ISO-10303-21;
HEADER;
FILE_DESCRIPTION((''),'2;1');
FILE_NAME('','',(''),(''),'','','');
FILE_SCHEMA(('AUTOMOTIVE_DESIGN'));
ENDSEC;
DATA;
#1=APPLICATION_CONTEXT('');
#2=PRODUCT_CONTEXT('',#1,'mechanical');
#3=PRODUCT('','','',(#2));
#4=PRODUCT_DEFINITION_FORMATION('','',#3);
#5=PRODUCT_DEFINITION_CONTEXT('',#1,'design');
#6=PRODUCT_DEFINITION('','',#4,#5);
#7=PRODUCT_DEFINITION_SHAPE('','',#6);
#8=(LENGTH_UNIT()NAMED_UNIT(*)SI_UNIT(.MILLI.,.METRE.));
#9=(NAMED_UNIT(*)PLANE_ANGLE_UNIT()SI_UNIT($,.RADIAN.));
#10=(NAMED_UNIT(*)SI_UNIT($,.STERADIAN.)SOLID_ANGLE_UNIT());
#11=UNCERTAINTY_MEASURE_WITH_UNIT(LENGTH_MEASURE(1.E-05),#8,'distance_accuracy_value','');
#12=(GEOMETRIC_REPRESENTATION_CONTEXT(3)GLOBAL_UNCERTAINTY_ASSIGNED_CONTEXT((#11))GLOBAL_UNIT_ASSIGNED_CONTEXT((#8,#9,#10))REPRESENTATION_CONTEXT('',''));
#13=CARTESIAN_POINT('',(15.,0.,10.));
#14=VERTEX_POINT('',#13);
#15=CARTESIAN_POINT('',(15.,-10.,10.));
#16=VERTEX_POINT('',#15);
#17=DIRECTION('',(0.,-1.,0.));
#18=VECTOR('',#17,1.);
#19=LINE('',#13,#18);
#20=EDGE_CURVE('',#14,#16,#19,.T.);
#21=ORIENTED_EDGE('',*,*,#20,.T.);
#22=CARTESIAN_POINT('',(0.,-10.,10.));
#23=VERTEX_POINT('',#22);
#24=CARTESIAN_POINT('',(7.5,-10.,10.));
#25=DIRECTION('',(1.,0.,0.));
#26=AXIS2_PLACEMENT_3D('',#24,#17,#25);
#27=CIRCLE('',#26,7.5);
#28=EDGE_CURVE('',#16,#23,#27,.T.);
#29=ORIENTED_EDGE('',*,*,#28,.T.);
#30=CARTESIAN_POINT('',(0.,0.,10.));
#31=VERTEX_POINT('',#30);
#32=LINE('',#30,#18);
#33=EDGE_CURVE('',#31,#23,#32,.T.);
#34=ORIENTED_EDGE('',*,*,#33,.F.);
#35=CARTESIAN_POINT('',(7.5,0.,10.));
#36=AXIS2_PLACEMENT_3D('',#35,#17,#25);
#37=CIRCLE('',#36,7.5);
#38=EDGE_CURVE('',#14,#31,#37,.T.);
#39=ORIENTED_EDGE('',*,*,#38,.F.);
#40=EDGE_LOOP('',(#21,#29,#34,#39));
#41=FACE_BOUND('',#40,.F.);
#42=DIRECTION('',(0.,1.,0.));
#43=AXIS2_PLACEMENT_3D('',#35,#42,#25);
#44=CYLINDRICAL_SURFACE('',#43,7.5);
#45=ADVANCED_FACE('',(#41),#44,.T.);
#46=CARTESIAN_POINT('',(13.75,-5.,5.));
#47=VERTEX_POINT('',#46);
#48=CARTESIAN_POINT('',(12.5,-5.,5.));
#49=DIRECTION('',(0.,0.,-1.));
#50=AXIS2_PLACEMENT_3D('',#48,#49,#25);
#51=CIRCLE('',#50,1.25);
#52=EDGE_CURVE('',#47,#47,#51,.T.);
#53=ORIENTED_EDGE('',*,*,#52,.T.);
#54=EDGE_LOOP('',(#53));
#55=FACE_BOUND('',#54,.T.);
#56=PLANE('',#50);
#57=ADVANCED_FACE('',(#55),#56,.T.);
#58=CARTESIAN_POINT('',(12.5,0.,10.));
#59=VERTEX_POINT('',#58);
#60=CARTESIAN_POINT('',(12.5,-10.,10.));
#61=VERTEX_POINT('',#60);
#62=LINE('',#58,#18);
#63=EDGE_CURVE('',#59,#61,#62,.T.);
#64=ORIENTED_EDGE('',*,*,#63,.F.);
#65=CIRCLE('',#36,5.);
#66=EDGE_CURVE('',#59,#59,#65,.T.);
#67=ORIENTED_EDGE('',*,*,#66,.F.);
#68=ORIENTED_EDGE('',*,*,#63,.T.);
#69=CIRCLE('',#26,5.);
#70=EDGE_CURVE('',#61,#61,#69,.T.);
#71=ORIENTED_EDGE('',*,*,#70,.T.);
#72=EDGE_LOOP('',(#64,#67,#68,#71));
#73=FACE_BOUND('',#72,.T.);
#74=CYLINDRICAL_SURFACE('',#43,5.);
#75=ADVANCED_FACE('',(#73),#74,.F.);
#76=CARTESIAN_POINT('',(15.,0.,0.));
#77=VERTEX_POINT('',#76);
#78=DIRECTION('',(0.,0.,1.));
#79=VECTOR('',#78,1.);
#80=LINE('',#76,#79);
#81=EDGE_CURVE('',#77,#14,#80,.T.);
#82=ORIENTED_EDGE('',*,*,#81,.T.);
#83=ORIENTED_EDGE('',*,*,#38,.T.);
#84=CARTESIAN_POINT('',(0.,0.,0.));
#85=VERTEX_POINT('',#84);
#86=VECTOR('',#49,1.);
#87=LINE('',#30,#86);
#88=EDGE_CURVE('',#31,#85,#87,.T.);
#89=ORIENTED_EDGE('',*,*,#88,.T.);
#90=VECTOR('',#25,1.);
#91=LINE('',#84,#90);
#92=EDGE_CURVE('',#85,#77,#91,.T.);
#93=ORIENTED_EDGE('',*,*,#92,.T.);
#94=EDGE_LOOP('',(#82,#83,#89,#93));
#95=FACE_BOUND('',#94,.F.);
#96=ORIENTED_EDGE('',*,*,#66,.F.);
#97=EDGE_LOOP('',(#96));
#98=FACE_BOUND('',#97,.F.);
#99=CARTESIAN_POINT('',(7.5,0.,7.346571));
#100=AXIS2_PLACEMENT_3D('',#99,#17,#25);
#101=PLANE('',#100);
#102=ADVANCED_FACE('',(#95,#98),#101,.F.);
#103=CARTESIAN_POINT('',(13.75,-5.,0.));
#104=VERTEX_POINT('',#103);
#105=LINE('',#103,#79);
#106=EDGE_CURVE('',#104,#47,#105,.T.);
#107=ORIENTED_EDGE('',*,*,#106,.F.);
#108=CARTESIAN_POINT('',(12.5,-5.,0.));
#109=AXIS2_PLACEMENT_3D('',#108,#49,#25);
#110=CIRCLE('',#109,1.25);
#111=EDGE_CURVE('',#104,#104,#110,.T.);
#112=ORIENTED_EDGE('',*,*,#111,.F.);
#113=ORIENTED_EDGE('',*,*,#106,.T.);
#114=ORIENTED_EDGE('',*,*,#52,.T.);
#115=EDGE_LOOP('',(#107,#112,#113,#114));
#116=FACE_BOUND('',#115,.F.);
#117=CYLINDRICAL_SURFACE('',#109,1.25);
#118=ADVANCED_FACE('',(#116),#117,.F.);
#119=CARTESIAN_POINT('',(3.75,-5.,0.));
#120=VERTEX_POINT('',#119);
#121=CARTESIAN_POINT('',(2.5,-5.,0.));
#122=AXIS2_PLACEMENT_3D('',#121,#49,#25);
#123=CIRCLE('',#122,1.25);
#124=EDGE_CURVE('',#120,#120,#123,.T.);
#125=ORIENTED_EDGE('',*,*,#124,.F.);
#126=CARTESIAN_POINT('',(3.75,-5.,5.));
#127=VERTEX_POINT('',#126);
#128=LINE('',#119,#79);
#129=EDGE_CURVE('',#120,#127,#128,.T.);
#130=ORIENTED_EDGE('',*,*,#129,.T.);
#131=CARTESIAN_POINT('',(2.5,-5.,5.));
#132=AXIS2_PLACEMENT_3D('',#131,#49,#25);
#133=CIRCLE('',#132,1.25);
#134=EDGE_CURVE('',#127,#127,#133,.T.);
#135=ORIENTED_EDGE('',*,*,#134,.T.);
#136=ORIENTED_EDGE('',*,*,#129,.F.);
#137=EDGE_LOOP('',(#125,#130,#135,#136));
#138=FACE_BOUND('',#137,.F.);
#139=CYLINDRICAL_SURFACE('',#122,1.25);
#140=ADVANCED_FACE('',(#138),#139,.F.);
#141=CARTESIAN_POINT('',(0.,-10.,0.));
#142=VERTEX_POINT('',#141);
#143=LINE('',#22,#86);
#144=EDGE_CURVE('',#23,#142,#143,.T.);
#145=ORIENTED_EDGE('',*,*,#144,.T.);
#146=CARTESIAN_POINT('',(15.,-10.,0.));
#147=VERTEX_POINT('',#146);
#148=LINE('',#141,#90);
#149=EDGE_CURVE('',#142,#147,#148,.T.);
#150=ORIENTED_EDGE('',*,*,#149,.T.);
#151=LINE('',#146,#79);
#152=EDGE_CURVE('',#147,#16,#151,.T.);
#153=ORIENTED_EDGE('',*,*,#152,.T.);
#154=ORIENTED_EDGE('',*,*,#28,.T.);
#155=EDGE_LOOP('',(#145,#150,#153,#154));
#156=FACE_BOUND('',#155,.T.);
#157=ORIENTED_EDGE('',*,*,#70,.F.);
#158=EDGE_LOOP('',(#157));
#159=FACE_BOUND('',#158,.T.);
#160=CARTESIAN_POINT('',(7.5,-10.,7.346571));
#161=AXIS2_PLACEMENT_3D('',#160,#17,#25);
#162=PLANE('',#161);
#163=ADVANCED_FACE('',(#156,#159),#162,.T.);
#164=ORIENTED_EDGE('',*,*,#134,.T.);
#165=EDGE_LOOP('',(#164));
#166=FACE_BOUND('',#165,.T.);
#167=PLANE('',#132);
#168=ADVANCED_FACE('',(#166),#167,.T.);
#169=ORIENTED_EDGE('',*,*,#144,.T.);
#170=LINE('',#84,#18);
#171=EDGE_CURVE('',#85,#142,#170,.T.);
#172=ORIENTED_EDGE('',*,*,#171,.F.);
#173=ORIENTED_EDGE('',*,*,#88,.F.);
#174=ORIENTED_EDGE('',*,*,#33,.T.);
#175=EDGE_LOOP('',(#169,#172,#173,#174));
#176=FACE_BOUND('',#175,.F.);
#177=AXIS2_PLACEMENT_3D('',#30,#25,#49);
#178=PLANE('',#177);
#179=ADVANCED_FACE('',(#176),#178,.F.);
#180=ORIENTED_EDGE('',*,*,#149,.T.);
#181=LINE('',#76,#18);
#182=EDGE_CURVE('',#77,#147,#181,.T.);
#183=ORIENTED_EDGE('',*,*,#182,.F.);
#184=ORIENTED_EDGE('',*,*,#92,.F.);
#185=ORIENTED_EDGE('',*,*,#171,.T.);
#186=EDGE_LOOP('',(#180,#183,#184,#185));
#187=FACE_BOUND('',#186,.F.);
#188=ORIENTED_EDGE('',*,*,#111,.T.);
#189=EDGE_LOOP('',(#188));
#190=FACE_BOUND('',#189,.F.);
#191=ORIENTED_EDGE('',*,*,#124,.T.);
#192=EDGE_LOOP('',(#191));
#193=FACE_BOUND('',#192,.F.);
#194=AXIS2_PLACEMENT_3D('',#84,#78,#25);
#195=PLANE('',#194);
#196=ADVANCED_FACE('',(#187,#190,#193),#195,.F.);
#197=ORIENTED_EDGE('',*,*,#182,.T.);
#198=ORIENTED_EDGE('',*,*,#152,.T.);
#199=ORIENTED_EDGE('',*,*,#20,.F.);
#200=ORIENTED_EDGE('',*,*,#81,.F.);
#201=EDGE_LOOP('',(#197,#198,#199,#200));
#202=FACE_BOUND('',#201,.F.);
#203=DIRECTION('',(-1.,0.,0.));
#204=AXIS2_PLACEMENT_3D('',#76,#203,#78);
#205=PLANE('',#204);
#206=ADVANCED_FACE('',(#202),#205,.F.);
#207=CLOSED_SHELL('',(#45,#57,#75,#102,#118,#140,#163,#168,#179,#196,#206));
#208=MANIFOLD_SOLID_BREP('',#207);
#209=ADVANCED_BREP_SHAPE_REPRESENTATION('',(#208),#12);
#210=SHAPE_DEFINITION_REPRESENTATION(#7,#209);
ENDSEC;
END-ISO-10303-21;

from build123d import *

# Parameters (mm, degrees)
F0_R     = 5
F1_DEPTH = 10
F2_R     = 1.25
F3_DEPTH = 5


with BuildPart() as f1:
    # F0 (on Front) → F1 (new body)
    with BuildSketch(Plane.XZ):
        with BuildLine():
            Line((0, 10), (0, 0))
            Line((0, 0), (15, 0))
            Line((15, 0), (15, 10))
            ThreePointArc((15, 10), (7.5, 17.5), (0, 10))
        make_face()
        with Locations((7.5, 10)):
            Circle(F0_R, mode=Mode.SUBTRACT)
    extrude(amount=F1_DEPTH)

    # F2 (on face) → F3 (cut)
    with BuildSketch(Plane(origin=(0, 0, 0), x_dir=(1, 0, 0), z_dir=(0, 0, -1))):
        with Locations((2.5, 5)):
            Circle(F2_R)
        with Locations((12.5, 5)):
            Circle(F2_R)
    extrude(amount=-F3_DEPTH, mode=Mode.SUBTRACT)


solid = f1.part
